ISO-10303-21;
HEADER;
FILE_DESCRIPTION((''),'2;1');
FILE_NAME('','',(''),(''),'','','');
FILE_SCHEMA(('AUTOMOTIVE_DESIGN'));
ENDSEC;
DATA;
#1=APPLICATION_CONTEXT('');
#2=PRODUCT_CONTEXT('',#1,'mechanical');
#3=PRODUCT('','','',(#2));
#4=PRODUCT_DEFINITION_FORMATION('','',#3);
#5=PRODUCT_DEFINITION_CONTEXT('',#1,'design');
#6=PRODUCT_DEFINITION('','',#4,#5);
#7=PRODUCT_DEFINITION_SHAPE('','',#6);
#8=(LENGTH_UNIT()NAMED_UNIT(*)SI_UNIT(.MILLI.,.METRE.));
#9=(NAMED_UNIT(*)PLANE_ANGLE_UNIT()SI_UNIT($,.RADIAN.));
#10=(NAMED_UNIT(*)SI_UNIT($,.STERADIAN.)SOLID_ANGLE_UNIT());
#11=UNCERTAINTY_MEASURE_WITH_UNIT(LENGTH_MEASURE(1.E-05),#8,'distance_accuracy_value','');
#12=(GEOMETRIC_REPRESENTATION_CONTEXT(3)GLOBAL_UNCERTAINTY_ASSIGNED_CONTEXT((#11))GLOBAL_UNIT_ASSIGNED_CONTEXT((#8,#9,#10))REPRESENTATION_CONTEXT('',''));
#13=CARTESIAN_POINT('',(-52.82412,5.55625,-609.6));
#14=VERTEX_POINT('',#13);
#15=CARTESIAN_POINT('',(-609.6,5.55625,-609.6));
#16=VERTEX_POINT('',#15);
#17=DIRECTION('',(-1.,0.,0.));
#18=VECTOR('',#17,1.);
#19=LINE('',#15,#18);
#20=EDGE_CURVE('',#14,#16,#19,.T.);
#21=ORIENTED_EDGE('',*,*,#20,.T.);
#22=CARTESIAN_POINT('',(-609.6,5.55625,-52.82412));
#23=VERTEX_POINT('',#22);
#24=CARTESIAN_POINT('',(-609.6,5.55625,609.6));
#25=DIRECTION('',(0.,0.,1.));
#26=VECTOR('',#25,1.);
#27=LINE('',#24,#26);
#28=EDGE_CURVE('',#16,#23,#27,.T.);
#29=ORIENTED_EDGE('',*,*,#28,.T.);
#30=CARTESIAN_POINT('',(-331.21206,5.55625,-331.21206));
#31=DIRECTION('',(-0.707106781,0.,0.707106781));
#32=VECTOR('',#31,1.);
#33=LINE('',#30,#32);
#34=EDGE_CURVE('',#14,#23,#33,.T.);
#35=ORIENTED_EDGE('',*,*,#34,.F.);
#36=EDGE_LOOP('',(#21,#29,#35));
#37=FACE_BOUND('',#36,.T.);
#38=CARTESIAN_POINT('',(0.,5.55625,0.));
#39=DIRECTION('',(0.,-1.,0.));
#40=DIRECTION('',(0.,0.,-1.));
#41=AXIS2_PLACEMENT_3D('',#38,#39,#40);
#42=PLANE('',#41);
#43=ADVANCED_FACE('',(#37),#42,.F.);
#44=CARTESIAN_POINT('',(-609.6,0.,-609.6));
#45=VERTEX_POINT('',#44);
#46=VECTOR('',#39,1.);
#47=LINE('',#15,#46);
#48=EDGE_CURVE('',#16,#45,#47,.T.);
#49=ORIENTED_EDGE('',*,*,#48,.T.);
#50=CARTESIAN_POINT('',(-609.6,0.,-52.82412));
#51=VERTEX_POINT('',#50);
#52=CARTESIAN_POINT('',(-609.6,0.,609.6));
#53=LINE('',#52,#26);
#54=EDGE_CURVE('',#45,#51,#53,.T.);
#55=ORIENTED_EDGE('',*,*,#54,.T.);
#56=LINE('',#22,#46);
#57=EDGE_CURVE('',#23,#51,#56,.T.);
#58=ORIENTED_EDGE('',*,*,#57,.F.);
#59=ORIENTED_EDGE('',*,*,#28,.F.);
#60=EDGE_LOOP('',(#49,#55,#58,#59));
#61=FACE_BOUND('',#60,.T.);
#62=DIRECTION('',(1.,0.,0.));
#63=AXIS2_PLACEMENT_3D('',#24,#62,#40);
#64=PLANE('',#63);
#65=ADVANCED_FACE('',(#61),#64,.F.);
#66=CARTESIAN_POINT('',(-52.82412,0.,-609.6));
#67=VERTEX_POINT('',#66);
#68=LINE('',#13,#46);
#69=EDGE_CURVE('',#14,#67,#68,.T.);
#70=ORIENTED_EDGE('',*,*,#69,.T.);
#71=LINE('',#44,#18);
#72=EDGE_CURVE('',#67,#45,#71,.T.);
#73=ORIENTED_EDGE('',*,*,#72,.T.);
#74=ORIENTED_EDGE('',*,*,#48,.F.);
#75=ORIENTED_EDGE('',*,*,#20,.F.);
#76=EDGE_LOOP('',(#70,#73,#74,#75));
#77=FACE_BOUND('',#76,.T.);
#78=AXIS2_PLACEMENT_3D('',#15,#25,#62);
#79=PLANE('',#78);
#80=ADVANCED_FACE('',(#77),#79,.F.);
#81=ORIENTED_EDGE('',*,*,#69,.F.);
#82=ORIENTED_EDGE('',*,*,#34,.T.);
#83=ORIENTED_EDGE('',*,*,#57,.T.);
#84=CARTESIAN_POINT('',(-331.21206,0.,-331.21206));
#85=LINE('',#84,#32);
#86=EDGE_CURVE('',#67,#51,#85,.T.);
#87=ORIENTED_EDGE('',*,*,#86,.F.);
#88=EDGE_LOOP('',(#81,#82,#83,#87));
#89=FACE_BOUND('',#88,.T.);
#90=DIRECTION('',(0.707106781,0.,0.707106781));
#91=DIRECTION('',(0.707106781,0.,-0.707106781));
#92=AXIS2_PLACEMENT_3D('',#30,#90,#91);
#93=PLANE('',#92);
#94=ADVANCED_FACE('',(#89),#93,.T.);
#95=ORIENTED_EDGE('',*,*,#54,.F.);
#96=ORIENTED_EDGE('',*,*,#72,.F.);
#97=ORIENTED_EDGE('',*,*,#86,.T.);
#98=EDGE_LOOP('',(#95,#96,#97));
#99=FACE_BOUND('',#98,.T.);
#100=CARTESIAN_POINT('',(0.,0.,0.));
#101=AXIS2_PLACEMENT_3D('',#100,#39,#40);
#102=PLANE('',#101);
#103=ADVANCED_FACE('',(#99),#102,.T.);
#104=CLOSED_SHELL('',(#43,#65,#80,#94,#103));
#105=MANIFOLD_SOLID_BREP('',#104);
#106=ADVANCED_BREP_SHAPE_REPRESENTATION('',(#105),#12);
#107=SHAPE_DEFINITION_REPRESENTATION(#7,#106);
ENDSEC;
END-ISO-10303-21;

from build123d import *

# Parameters (mm, degrees)
SKETCH1_W           = 1219.2
SKETCH1_H           = 1219.2
BOSS_EXTRUDE1_DEPTH = 5.55625
CUT_EXTRUDE1_DEPTH  = 6.55625


with BuildPart() as part:
    # Sketch1 → Boss-Extrude1 (new body)
    with BuildSketch(Plane(origin=(0, 0, 0), x_dir=(1, 0, 0), z_dir=(0, 1, 0))):
        Rectangle(SKETCH1_W, SKETCH1_H)
    extrude(amount=BOSS_EXTRUDE1_DEPTH)

    # Sketch2 → Cut-Extrude1 (cut, through all)
    with BuildSketch(Plane.XZ):
        Polygon((-609.6, -52.824120495), (-52.824120495, -609.6), (609.6, -609.6), (609.6, 609.6), (-609.6, 609.6), align=None)
    extrude(amount=-CUT_EXTRUDE1_DEPTH, mode=Mode.SUBTRACT)


solid = part.part
